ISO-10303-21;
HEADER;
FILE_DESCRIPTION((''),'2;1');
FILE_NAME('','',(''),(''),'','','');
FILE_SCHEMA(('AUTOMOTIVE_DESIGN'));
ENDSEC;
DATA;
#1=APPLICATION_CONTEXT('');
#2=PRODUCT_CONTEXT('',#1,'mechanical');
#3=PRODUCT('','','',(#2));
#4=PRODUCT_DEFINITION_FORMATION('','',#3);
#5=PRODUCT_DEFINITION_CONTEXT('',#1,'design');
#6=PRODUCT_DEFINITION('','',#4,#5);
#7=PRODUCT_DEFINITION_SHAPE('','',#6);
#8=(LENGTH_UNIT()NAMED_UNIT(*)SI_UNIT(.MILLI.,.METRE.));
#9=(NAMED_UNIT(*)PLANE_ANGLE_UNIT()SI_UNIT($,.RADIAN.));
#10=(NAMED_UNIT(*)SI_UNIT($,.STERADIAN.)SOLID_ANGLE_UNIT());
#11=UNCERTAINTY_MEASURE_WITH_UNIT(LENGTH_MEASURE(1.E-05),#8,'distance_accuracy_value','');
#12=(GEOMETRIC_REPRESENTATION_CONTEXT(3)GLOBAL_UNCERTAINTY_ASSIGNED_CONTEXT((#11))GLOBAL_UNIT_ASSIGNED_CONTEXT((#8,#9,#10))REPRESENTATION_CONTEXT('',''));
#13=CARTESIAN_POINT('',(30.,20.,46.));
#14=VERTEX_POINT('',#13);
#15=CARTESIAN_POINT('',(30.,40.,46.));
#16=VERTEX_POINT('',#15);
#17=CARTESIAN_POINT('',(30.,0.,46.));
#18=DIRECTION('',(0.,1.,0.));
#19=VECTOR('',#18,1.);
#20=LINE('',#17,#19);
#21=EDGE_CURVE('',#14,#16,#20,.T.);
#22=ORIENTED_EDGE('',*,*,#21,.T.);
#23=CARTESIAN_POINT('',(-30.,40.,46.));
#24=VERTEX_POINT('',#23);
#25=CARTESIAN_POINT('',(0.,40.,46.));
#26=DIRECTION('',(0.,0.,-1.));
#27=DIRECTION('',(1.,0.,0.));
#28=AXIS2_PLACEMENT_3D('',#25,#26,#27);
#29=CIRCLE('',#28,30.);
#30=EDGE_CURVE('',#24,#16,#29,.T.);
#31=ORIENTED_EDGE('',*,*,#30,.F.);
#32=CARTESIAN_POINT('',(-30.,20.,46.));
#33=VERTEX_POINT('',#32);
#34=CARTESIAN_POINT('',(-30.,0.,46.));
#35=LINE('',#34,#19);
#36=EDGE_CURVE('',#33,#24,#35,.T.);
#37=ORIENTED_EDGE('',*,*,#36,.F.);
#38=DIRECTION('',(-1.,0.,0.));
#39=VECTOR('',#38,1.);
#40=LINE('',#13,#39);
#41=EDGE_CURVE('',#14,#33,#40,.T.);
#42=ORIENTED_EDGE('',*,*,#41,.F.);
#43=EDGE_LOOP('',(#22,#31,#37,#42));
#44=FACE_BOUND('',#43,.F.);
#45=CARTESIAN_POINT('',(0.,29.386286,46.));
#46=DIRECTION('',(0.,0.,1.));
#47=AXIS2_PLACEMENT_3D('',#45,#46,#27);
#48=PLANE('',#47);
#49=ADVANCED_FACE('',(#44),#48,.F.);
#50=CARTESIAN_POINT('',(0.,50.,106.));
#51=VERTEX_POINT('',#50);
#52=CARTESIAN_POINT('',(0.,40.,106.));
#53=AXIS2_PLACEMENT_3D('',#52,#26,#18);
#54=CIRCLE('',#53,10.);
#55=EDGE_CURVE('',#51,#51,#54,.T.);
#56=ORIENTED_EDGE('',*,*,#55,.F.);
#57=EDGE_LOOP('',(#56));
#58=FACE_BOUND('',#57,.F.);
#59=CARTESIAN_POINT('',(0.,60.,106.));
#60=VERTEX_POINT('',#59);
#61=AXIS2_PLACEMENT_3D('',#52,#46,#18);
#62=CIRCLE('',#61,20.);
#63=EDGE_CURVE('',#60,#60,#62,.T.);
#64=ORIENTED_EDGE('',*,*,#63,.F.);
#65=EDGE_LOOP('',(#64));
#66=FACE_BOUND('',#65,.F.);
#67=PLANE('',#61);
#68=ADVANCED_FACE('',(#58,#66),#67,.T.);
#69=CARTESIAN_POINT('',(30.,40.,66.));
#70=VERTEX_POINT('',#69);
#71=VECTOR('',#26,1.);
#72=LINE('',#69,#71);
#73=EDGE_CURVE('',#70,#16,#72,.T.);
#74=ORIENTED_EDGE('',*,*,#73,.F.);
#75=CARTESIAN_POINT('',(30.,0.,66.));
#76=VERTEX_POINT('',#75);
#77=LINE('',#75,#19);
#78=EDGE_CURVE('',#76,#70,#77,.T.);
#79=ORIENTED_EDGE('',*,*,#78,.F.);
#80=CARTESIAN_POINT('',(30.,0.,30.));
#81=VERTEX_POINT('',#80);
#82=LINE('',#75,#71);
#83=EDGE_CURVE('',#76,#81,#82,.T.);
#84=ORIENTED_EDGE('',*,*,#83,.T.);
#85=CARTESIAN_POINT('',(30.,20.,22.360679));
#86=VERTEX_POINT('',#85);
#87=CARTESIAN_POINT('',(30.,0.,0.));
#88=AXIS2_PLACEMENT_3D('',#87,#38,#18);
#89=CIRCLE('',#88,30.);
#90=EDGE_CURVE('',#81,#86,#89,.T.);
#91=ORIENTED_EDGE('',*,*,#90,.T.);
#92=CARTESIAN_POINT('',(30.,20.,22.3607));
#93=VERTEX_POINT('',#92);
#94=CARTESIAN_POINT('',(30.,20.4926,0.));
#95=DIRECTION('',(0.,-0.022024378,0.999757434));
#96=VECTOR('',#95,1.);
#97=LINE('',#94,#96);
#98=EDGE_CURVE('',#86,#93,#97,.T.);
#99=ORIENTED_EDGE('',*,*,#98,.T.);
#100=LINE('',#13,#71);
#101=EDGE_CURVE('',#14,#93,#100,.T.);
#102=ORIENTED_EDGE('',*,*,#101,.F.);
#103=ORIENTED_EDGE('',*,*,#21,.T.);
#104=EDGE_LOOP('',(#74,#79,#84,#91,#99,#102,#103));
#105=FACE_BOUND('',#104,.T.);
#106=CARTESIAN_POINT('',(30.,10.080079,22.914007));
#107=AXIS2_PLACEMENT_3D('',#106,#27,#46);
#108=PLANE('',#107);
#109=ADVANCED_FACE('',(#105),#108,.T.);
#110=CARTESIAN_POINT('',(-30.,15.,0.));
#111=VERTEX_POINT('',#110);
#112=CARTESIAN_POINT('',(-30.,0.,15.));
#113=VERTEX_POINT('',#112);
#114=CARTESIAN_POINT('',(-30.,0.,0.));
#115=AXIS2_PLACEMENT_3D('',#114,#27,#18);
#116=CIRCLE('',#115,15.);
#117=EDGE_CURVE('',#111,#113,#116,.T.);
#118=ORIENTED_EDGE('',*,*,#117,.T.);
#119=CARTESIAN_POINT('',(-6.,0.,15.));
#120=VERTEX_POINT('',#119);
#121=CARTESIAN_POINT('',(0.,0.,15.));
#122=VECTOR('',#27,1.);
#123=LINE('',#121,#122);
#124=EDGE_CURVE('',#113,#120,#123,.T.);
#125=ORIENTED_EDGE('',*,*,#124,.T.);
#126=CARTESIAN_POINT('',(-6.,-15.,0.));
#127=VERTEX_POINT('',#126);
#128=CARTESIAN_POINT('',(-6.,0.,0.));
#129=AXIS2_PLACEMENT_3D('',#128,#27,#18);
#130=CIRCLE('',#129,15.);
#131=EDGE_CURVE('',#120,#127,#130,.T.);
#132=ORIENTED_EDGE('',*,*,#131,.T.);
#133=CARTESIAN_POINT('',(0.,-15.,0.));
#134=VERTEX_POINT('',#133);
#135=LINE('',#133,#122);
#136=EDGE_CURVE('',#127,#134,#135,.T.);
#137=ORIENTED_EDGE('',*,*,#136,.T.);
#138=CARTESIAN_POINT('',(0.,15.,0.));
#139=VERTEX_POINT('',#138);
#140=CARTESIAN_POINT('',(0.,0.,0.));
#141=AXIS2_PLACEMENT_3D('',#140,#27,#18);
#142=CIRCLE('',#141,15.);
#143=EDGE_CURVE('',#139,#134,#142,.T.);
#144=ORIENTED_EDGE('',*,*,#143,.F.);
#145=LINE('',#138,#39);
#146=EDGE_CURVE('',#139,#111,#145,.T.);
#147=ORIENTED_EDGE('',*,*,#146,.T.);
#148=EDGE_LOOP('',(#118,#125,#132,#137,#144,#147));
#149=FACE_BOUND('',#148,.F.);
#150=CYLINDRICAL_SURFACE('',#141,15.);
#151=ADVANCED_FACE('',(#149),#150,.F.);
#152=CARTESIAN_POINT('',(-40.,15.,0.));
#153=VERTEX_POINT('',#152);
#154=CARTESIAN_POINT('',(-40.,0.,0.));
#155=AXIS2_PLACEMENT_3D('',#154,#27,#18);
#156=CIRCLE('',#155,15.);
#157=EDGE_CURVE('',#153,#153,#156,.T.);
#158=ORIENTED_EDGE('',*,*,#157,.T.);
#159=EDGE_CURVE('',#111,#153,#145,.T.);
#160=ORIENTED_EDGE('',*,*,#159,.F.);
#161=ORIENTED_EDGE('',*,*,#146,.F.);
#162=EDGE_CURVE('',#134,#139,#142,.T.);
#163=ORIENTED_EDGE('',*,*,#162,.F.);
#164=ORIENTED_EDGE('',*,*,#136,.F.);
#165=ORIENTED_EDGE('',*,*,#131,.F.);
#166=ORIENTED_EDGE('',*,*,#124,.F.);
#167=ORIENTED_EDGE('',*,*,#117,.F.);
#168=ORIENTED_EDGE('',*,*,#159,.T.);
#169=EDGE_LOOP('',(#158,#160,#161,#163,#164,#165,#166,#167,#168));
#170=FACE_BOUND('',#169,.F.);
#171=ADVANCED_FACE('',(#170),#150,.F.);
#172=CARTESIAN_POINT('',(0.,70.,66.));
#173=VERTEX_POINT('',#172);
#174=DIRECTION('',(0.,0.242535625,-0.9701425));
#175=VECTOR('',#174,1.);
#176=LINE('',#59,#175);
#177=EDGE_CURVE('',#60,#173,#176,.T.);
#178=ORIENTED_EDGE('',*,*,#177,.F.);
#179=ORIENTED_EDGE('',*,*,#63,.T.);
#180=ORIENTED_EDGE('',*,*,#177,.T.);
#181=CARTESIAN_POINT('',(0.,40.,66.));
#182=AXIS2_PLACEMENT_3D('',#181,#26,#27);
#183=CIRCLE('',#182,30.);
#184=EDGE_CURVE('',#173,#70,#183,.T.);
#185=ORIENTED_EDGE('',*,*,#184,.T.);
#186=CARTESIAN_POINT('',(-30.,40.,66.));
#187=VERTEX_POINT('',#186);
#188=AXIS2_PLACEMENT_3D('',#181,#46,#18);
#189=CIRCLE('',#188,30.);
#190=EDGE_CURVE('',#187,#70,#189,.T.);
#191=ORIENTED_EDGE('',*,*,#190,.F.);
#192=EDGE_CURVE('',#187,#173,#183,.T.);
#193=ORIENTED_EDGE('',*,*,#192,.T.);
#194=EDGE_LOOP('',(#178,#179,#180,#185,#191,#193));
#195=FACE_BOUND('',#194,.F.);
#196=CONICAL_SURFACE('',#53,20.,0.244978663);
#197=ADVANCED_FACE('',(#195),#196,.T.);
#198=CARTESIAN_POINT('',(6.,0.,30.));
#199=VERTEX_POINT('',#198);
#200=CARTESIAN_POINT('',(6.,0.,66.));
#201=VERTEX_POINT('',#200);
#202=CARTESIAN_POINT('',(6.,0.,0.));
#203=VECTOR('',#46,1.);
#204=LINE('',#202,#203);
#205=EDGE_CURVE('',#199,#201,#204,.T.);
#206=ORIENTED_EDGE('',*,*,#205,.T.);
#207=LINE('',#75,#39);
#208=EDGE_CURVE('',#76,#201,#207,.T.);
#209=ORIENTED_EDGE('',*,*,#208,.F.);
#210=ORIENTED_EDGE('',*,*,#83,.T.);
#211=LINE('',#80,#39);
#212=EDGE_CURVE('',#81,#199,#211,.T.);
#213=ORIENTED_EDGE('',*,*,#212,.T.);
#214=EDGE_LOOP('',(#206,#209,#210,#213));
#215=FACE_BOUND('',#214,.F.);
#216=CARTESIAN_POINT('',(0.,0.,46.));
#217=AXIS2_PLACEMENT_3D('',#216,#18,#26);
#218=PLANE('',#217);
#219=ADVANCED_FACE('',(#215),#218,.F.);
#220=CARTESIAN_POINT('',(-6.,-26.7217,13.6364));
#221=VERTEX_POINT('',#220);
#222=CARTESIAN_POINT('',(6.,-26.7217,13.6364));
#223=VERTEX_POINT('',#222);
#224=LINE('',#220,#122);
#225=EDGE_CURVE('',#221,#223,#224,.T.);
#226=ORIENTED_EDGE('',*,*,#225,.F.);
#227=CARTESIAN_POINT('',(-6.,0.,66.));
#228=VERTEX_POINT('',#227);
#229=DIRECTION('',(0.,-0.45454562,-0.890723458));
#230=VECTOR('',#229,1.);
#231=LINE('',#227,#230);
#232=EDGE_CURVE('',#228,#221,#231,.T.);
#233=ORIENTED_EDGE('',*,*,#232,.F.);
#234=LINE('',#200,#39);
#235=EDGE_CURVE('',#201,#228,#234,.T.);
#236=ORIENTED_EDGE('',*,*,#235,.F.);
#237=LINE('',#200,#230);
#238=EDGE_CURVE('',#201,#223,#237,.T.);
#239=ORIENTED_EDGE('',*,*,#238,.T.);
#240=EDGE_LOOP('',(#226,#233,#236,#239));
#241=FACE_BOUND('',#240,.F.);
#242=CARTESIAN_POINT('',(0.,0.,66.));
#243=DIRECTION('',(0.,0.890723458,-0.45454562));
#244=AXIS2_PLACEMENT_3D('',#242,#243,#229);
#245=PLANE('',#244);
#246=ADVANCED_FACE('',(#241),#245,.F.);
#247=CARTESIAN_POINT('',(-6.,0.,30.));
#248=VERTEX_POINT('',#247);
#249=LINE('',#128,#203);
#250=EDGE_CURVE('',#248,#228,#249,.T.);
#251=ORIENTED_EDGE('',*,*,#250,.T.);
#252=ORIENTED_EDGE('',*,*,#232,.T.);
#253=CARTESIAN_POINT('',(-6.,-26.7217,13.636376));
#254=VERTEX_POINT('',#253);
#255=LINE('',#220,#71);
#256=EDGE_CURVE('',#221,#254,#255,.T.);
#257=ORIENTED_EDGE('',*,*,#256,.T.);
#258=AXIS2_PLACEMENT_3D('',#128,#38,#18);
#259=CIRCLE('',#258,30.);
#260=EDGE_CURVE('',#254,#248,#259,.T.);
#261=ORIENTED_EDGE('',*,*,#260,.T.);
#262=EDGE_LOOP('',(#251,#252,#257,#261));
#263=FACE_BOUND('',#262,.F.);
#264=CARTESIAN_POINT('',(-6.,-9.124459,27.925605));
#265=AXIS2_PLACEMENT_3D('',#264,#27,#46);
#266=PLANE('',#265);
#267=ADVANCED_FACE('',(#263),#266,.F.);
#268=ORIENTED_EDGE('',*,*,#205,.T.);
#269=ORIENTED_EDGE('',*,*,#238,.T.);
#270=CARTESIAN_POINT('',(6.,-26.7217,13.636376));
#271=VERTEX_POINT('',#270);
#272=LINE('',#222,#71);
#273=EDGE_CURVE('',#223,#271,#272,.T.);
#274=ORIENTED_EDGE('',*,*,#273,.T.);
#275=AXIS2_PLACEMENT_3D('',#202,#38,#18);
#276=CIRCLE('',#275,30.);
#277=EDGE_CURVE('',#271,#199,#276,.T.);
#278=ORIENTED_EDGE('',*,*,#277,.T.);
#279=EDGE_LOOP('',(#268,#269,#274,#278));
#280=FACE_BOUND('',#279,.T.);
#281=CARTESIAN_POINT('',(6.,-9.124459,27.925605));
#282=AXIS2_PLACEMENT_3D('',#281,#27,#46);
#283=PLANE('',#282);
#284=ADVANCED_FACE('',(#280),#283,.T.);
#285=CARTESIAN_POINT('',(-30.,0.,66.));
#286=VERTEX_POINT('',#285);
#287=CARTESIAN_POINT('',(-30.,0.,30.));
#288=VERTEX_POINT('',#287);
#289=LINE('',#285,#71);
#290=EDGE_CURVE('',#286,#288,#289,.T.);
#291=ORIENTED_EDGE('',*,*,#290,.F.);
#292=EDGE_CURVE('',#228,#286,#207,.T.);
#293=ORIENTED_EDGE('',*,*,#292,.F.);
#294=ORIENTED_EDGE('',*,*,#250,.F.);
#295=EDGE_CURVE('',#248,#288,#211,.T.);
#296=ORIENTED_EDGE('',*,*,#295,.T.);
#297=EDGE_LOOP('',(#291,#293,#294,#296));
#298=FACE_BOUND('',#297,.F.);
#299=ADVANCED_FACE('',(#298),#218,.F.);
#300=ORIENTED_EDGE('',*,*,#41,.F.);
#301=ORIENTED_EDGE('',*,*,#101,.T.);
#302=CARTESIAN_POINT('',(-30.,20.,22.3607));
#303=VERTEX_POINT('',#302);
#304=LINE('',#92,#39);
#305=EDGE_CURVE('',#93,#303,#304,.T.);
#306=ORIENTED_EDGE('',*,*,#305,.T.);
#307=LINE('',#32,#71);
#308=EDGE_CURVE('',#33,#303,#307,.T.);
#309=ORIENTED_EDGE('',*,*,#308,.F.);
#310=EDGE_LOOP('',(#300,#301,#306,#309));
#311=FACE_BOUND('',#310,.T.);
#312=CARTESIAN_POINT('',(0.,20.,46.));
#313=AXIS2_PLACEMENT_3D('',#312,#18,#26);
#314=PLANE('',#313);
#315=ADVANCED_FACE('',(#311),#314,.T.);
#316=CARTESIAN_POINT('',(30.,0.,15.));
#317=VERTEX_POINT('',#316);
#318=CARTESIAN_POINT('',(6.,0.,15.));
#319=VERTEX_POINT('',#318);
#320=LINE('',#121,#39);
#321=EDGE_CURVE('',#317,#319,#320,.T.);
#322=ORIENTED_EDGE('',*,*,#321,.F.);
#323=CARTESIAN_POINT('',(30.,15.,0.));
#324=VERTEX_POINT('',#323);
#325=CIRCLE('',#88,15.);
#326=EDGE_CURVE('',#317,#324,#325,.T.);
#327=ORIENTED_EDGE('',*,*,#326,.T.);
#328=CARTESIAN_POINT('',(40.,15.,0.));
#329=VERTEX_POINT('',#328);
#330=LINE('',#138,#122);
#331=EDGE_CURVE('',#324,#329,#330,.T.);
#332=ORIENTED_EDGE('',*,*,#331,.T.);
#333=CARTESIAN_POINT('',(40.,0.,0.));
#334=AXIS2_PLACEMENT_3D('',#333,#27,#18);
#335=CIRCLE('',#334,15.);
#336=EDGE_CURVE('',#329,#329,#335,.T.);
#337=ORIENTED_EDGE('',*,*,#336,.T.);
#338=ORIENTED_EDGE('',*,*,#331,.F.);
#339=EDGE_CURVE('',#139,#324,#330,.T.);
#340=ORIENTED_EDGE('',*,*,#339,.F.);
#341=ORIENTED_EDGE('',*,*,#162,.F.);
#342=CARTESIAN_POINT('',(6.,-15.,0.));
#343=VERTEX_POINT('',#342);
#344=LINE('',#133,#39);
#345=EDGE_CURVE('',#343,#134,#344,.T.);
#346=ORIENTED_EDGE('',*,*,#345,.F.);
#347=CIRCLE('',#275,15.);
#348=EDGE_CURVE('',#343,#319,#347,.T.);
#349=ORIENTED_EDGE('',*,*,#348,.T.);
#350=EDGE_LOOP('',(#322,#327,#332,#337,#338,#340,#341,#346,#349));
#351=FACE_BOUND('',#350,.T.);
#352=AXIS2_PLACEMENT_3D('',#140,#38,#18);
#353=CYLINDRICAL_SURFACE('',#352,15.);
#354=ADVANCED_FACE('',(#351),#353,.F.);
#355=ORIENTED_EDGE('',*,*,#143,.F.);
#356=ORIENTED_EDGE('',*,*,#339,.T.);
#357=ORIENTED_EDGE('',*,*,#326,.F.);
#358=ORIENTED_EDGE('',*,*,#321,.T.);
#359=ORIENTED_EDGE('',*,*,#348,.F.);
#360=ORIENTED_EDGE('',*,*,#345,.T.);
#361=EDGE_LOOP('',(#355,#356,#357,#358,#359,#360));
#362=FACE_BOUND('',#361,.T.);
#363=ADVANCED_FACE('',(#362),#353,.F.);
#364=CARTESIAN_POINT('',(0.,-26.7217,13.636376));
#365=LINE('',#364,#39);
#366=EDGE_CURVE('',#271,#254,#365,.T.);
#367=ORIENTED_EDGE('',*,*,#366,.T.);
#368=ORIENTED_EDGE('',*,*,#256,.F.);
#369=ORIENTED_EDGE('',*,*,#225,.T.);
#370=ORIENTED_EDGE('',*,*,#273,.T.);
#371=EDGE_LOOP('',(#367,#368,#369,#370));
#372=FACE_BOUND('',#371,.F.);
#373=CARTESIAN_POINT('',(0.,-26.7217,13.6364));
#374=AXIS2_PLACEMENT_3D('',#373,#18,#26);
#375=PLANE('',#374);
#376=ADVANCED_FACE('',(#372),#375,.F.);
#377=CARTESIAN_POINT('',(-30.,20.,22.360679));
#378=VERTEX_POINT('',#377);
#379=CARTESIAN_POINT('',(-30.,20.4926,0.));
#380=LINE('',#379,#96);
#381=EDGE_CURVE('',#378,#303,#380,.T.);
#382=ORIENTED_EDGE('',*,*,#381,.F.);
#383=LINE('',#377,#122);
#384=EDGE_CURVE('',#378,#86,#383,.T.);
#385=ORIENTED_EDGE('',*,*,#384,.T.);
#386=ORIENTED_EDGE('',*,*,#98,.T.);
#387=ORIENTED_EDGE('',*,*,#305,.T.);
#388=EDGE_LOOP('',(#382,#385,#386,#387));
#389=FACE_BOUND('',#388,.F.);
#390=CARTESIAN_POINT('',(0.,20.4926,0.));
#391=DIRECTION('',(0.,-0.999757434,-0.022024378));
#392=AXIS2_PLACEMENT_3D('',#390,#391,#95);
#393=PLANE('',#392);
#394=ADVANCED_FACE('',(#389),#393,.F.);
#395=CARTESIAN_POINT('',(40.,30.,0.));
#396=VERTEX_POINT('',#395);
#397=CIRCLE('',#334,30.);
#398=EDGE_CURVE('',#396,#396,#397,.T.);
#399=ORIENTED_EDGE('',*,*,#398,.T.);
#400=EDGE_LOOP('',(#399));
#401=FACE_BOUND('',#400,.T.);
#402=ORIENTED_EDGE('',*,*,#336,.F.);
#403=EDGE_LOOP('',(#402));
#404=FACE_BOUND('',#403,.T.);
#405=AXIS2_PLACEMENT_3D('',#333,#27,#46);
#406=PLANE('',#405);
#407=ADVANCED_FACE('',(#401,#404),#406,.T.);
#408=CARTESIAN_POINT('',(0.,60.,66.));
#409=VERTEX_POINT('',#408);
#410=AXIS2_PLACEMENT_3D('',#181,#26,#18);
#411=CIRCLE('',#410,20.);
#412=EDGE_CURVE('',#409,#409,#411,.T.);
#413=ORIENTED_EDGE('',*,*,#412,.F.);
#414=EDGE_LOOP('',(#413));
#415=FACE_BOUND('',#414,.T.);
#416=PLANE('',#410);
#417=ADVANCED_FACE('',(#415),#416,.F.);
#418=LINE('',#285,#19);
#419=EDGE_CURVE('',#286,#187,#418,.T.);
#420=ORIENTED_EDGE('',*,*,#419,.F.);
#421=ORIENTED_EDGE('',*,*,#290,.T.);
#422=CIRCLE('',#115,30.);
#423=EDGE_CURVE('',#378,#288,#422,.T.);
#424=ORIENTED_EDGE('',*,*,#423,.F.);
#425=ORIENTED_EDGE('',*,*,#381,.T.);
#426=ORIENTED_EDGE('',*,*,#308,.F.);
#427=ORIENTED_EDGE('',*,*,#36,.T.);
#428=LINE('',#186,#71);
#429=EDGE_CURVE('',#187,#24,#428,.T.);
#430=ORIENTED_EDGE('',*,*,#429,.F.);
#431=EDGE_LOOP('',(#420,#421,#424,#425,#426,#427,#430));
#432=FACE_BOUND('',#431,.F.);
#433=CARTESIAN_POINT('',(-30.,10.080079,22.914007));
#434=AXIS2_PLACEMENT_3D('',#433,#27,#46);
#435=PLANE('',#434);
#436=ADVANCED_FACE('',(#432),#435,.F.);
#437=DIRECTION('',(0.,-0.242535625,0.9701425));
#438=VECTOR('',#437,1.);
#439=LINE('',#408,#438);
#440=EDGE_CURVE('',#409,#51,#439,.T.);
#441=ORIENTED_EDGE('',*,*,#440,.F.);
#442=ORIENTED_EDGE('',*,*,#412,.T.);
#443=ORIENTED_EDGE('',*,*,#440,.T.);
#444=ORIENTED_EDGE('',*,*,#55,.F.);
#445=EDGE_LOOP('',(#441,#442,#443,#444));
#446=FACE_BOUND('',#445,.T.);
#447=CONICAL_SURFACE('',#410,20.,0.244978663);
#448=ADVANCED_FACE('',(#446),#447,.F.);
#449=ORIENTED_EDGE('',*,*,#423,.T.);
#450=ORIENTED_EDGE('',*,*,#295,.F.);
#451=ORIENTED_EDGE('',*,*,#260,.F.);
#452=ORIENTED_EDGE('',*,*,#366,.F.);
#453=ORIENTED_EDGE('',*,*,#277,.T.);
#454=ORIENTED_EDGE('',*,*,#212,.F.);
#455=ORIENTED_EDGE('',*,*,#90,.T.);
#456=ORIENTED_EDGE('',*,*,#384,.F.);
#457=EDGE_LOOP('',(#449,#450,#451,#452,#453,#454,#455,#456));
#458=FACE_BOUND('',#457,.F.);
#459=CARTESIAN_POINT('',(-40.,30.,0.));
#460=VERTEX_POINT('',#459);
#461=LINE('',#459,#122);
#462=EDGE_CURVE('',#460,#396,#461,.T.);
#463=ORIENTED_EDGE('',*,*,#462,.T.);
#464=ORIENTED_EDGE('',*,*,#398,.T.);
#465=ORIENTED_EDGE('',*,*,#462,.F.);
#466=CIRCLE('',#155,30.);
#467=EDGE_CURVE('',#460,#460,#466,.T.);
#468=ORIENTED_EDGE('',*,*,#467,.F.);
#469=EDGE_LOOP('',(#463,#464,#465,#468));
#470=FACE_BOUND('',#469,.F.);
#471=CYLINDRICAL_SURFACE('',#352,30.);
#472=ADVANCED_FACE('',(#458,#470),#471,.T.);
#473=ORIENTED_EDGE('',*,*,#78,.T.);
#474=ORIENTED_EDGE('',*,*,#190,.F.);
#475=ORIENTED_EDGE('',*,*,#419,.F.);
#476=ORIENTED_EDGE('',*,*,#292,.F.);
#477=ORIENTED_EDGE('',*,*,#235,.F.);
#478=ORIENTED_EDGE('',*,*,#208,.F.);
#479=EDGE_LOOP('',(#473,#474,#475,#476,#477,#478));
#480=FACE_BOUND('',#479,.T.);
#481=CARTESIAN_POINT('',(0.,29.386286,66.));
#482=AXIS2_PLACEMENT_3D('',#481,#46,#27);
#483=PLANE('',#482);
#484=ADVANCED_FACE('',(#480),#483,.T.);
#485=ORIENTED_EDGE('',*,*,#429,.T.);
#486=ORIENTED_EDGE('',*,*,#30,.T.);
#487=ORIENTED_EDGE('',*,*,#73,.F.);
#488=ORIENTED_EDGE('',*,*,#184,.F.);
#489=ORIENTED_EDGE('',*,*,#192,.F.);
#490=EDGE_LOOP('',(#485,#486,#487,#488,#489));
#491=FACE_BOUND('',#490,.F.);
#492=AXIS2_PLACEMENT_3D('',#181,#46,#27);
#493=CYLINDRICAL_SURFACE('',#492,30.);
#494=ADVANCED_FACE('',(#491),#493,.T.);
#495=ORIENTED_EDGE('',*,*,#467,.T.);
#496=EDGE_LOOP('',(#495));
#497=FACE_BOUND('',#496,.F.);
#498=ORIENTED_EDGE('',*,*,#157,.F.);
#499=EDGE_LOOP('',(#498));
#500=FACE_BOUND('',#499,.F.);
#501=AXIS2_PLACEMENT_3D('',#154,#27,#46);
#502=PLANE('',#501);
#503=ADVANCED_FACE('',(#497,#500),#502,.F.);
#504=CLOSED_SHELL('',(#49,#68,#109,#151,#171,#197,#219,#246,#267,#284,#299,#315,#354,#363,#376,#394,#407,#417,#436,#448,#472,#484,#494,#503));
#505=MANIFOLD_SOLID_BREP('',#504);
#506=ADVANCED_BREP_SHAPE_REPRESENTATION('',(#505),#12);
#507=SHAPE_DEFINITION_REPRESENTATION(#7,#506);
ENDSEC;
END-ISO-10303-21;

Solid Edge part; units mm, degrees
sketch "Sketch1" plane through (0, 0, 0) normal (1, 0, 0) x (0, 1, 0)
  circle A0 centre (0, 0) radius 30
  circle A1 centre (0, 0) radius 15
extrude "Protrusion1" add sketch "Sketch1" along normal mid plane 80
sketch "Sketch2" plane through (0, 0, 66) normal (0, 0, 1) x (1, 0, 0)
  line L0 (30, 0) -> (30, 40)
  line L1 (-30, 0) -> (-30, 40)
  line L2 (0, 0) -> (-30, 0)
  line L3 (0, 0) -> (30, 0)
  arc A0 (-30, 40) -> (30, 40) centre (0, 40) cw
extrude "ExtrudedProtrusion_3" add sketch "Sketch2" against normal blind 20
sketch "Sketch3" plane through (0, 0, 0) normal (1, 0, 0) x (0, 1, 0)
  line L0 (0, 46) -> (0, 0)
  line L1 (0, 0) -> (20.4926, 0)
  line L2 (20.4926, 0) -> (20, 22.3607)
  line L3 (20, 46) -> (20, 22.3607)
  line L4 (0, 46) -> (20, 46)
extrude "ExtrudedProtrusion_4" add sketch "Sketch3" along normal mid plane 60
sketch "Sketch4" plane through (0, 0, 0) normal (1, 0, 0) x (0, 1, 0)
  line L0 (0, 66) -> (-26.7217, 13.6364)
  line L1 (-26.7217, 13.6364) -> (-26.7217, 0)
  line L2 (-26.7217, 0) -> (0, 0)
  line L3 (0, 0) -> (0, 66)
extrude "ExtrudedProtrusion_5" add sketch "Sketch4" along normal mid plane 12
sketch "Sketch5" plane through (0, 0, 0) normal (1, 0, 0) x (0, 1, 0)
  circle A0 centre (0, 0) radius 15
extrude "ExtrudedCutout_2" cut sketch "Sketch5" along normal mid plane 321.4657
sketch "Sketch6" plane through (0, 0, 0) normal (1, 0, 0) x (0, 1, 0)
  line L0 (40, 106) -> (60, 106)
  line L1 (60, 106) -> (70, 66)
  line L2 (70, 66) -> (40, 66)
  line L3 (40, 66) -> (40, 106)
revolve "RevolvedProtrusion1" add sketch "Sketch6" angle 360 about axis through (0, 40, 66) along (0, 0, 1)
sketch "Sketch7" plane through (0, 0, 0) normal (1, 0, 0) x (0, 1, 0)
  line L0 (60, 66) -> (50, 106)
  line L1 (50, 106) -> (40, 106)
  line L2 (40, 106) -> (40, 66)
  line L3 (40, 66) -> (60, 66)
revolve "RevolvedCutout1" cut sketch "Sketch7" angle 360 about axis through (0, 40, 106) along (0, 0, -1)
